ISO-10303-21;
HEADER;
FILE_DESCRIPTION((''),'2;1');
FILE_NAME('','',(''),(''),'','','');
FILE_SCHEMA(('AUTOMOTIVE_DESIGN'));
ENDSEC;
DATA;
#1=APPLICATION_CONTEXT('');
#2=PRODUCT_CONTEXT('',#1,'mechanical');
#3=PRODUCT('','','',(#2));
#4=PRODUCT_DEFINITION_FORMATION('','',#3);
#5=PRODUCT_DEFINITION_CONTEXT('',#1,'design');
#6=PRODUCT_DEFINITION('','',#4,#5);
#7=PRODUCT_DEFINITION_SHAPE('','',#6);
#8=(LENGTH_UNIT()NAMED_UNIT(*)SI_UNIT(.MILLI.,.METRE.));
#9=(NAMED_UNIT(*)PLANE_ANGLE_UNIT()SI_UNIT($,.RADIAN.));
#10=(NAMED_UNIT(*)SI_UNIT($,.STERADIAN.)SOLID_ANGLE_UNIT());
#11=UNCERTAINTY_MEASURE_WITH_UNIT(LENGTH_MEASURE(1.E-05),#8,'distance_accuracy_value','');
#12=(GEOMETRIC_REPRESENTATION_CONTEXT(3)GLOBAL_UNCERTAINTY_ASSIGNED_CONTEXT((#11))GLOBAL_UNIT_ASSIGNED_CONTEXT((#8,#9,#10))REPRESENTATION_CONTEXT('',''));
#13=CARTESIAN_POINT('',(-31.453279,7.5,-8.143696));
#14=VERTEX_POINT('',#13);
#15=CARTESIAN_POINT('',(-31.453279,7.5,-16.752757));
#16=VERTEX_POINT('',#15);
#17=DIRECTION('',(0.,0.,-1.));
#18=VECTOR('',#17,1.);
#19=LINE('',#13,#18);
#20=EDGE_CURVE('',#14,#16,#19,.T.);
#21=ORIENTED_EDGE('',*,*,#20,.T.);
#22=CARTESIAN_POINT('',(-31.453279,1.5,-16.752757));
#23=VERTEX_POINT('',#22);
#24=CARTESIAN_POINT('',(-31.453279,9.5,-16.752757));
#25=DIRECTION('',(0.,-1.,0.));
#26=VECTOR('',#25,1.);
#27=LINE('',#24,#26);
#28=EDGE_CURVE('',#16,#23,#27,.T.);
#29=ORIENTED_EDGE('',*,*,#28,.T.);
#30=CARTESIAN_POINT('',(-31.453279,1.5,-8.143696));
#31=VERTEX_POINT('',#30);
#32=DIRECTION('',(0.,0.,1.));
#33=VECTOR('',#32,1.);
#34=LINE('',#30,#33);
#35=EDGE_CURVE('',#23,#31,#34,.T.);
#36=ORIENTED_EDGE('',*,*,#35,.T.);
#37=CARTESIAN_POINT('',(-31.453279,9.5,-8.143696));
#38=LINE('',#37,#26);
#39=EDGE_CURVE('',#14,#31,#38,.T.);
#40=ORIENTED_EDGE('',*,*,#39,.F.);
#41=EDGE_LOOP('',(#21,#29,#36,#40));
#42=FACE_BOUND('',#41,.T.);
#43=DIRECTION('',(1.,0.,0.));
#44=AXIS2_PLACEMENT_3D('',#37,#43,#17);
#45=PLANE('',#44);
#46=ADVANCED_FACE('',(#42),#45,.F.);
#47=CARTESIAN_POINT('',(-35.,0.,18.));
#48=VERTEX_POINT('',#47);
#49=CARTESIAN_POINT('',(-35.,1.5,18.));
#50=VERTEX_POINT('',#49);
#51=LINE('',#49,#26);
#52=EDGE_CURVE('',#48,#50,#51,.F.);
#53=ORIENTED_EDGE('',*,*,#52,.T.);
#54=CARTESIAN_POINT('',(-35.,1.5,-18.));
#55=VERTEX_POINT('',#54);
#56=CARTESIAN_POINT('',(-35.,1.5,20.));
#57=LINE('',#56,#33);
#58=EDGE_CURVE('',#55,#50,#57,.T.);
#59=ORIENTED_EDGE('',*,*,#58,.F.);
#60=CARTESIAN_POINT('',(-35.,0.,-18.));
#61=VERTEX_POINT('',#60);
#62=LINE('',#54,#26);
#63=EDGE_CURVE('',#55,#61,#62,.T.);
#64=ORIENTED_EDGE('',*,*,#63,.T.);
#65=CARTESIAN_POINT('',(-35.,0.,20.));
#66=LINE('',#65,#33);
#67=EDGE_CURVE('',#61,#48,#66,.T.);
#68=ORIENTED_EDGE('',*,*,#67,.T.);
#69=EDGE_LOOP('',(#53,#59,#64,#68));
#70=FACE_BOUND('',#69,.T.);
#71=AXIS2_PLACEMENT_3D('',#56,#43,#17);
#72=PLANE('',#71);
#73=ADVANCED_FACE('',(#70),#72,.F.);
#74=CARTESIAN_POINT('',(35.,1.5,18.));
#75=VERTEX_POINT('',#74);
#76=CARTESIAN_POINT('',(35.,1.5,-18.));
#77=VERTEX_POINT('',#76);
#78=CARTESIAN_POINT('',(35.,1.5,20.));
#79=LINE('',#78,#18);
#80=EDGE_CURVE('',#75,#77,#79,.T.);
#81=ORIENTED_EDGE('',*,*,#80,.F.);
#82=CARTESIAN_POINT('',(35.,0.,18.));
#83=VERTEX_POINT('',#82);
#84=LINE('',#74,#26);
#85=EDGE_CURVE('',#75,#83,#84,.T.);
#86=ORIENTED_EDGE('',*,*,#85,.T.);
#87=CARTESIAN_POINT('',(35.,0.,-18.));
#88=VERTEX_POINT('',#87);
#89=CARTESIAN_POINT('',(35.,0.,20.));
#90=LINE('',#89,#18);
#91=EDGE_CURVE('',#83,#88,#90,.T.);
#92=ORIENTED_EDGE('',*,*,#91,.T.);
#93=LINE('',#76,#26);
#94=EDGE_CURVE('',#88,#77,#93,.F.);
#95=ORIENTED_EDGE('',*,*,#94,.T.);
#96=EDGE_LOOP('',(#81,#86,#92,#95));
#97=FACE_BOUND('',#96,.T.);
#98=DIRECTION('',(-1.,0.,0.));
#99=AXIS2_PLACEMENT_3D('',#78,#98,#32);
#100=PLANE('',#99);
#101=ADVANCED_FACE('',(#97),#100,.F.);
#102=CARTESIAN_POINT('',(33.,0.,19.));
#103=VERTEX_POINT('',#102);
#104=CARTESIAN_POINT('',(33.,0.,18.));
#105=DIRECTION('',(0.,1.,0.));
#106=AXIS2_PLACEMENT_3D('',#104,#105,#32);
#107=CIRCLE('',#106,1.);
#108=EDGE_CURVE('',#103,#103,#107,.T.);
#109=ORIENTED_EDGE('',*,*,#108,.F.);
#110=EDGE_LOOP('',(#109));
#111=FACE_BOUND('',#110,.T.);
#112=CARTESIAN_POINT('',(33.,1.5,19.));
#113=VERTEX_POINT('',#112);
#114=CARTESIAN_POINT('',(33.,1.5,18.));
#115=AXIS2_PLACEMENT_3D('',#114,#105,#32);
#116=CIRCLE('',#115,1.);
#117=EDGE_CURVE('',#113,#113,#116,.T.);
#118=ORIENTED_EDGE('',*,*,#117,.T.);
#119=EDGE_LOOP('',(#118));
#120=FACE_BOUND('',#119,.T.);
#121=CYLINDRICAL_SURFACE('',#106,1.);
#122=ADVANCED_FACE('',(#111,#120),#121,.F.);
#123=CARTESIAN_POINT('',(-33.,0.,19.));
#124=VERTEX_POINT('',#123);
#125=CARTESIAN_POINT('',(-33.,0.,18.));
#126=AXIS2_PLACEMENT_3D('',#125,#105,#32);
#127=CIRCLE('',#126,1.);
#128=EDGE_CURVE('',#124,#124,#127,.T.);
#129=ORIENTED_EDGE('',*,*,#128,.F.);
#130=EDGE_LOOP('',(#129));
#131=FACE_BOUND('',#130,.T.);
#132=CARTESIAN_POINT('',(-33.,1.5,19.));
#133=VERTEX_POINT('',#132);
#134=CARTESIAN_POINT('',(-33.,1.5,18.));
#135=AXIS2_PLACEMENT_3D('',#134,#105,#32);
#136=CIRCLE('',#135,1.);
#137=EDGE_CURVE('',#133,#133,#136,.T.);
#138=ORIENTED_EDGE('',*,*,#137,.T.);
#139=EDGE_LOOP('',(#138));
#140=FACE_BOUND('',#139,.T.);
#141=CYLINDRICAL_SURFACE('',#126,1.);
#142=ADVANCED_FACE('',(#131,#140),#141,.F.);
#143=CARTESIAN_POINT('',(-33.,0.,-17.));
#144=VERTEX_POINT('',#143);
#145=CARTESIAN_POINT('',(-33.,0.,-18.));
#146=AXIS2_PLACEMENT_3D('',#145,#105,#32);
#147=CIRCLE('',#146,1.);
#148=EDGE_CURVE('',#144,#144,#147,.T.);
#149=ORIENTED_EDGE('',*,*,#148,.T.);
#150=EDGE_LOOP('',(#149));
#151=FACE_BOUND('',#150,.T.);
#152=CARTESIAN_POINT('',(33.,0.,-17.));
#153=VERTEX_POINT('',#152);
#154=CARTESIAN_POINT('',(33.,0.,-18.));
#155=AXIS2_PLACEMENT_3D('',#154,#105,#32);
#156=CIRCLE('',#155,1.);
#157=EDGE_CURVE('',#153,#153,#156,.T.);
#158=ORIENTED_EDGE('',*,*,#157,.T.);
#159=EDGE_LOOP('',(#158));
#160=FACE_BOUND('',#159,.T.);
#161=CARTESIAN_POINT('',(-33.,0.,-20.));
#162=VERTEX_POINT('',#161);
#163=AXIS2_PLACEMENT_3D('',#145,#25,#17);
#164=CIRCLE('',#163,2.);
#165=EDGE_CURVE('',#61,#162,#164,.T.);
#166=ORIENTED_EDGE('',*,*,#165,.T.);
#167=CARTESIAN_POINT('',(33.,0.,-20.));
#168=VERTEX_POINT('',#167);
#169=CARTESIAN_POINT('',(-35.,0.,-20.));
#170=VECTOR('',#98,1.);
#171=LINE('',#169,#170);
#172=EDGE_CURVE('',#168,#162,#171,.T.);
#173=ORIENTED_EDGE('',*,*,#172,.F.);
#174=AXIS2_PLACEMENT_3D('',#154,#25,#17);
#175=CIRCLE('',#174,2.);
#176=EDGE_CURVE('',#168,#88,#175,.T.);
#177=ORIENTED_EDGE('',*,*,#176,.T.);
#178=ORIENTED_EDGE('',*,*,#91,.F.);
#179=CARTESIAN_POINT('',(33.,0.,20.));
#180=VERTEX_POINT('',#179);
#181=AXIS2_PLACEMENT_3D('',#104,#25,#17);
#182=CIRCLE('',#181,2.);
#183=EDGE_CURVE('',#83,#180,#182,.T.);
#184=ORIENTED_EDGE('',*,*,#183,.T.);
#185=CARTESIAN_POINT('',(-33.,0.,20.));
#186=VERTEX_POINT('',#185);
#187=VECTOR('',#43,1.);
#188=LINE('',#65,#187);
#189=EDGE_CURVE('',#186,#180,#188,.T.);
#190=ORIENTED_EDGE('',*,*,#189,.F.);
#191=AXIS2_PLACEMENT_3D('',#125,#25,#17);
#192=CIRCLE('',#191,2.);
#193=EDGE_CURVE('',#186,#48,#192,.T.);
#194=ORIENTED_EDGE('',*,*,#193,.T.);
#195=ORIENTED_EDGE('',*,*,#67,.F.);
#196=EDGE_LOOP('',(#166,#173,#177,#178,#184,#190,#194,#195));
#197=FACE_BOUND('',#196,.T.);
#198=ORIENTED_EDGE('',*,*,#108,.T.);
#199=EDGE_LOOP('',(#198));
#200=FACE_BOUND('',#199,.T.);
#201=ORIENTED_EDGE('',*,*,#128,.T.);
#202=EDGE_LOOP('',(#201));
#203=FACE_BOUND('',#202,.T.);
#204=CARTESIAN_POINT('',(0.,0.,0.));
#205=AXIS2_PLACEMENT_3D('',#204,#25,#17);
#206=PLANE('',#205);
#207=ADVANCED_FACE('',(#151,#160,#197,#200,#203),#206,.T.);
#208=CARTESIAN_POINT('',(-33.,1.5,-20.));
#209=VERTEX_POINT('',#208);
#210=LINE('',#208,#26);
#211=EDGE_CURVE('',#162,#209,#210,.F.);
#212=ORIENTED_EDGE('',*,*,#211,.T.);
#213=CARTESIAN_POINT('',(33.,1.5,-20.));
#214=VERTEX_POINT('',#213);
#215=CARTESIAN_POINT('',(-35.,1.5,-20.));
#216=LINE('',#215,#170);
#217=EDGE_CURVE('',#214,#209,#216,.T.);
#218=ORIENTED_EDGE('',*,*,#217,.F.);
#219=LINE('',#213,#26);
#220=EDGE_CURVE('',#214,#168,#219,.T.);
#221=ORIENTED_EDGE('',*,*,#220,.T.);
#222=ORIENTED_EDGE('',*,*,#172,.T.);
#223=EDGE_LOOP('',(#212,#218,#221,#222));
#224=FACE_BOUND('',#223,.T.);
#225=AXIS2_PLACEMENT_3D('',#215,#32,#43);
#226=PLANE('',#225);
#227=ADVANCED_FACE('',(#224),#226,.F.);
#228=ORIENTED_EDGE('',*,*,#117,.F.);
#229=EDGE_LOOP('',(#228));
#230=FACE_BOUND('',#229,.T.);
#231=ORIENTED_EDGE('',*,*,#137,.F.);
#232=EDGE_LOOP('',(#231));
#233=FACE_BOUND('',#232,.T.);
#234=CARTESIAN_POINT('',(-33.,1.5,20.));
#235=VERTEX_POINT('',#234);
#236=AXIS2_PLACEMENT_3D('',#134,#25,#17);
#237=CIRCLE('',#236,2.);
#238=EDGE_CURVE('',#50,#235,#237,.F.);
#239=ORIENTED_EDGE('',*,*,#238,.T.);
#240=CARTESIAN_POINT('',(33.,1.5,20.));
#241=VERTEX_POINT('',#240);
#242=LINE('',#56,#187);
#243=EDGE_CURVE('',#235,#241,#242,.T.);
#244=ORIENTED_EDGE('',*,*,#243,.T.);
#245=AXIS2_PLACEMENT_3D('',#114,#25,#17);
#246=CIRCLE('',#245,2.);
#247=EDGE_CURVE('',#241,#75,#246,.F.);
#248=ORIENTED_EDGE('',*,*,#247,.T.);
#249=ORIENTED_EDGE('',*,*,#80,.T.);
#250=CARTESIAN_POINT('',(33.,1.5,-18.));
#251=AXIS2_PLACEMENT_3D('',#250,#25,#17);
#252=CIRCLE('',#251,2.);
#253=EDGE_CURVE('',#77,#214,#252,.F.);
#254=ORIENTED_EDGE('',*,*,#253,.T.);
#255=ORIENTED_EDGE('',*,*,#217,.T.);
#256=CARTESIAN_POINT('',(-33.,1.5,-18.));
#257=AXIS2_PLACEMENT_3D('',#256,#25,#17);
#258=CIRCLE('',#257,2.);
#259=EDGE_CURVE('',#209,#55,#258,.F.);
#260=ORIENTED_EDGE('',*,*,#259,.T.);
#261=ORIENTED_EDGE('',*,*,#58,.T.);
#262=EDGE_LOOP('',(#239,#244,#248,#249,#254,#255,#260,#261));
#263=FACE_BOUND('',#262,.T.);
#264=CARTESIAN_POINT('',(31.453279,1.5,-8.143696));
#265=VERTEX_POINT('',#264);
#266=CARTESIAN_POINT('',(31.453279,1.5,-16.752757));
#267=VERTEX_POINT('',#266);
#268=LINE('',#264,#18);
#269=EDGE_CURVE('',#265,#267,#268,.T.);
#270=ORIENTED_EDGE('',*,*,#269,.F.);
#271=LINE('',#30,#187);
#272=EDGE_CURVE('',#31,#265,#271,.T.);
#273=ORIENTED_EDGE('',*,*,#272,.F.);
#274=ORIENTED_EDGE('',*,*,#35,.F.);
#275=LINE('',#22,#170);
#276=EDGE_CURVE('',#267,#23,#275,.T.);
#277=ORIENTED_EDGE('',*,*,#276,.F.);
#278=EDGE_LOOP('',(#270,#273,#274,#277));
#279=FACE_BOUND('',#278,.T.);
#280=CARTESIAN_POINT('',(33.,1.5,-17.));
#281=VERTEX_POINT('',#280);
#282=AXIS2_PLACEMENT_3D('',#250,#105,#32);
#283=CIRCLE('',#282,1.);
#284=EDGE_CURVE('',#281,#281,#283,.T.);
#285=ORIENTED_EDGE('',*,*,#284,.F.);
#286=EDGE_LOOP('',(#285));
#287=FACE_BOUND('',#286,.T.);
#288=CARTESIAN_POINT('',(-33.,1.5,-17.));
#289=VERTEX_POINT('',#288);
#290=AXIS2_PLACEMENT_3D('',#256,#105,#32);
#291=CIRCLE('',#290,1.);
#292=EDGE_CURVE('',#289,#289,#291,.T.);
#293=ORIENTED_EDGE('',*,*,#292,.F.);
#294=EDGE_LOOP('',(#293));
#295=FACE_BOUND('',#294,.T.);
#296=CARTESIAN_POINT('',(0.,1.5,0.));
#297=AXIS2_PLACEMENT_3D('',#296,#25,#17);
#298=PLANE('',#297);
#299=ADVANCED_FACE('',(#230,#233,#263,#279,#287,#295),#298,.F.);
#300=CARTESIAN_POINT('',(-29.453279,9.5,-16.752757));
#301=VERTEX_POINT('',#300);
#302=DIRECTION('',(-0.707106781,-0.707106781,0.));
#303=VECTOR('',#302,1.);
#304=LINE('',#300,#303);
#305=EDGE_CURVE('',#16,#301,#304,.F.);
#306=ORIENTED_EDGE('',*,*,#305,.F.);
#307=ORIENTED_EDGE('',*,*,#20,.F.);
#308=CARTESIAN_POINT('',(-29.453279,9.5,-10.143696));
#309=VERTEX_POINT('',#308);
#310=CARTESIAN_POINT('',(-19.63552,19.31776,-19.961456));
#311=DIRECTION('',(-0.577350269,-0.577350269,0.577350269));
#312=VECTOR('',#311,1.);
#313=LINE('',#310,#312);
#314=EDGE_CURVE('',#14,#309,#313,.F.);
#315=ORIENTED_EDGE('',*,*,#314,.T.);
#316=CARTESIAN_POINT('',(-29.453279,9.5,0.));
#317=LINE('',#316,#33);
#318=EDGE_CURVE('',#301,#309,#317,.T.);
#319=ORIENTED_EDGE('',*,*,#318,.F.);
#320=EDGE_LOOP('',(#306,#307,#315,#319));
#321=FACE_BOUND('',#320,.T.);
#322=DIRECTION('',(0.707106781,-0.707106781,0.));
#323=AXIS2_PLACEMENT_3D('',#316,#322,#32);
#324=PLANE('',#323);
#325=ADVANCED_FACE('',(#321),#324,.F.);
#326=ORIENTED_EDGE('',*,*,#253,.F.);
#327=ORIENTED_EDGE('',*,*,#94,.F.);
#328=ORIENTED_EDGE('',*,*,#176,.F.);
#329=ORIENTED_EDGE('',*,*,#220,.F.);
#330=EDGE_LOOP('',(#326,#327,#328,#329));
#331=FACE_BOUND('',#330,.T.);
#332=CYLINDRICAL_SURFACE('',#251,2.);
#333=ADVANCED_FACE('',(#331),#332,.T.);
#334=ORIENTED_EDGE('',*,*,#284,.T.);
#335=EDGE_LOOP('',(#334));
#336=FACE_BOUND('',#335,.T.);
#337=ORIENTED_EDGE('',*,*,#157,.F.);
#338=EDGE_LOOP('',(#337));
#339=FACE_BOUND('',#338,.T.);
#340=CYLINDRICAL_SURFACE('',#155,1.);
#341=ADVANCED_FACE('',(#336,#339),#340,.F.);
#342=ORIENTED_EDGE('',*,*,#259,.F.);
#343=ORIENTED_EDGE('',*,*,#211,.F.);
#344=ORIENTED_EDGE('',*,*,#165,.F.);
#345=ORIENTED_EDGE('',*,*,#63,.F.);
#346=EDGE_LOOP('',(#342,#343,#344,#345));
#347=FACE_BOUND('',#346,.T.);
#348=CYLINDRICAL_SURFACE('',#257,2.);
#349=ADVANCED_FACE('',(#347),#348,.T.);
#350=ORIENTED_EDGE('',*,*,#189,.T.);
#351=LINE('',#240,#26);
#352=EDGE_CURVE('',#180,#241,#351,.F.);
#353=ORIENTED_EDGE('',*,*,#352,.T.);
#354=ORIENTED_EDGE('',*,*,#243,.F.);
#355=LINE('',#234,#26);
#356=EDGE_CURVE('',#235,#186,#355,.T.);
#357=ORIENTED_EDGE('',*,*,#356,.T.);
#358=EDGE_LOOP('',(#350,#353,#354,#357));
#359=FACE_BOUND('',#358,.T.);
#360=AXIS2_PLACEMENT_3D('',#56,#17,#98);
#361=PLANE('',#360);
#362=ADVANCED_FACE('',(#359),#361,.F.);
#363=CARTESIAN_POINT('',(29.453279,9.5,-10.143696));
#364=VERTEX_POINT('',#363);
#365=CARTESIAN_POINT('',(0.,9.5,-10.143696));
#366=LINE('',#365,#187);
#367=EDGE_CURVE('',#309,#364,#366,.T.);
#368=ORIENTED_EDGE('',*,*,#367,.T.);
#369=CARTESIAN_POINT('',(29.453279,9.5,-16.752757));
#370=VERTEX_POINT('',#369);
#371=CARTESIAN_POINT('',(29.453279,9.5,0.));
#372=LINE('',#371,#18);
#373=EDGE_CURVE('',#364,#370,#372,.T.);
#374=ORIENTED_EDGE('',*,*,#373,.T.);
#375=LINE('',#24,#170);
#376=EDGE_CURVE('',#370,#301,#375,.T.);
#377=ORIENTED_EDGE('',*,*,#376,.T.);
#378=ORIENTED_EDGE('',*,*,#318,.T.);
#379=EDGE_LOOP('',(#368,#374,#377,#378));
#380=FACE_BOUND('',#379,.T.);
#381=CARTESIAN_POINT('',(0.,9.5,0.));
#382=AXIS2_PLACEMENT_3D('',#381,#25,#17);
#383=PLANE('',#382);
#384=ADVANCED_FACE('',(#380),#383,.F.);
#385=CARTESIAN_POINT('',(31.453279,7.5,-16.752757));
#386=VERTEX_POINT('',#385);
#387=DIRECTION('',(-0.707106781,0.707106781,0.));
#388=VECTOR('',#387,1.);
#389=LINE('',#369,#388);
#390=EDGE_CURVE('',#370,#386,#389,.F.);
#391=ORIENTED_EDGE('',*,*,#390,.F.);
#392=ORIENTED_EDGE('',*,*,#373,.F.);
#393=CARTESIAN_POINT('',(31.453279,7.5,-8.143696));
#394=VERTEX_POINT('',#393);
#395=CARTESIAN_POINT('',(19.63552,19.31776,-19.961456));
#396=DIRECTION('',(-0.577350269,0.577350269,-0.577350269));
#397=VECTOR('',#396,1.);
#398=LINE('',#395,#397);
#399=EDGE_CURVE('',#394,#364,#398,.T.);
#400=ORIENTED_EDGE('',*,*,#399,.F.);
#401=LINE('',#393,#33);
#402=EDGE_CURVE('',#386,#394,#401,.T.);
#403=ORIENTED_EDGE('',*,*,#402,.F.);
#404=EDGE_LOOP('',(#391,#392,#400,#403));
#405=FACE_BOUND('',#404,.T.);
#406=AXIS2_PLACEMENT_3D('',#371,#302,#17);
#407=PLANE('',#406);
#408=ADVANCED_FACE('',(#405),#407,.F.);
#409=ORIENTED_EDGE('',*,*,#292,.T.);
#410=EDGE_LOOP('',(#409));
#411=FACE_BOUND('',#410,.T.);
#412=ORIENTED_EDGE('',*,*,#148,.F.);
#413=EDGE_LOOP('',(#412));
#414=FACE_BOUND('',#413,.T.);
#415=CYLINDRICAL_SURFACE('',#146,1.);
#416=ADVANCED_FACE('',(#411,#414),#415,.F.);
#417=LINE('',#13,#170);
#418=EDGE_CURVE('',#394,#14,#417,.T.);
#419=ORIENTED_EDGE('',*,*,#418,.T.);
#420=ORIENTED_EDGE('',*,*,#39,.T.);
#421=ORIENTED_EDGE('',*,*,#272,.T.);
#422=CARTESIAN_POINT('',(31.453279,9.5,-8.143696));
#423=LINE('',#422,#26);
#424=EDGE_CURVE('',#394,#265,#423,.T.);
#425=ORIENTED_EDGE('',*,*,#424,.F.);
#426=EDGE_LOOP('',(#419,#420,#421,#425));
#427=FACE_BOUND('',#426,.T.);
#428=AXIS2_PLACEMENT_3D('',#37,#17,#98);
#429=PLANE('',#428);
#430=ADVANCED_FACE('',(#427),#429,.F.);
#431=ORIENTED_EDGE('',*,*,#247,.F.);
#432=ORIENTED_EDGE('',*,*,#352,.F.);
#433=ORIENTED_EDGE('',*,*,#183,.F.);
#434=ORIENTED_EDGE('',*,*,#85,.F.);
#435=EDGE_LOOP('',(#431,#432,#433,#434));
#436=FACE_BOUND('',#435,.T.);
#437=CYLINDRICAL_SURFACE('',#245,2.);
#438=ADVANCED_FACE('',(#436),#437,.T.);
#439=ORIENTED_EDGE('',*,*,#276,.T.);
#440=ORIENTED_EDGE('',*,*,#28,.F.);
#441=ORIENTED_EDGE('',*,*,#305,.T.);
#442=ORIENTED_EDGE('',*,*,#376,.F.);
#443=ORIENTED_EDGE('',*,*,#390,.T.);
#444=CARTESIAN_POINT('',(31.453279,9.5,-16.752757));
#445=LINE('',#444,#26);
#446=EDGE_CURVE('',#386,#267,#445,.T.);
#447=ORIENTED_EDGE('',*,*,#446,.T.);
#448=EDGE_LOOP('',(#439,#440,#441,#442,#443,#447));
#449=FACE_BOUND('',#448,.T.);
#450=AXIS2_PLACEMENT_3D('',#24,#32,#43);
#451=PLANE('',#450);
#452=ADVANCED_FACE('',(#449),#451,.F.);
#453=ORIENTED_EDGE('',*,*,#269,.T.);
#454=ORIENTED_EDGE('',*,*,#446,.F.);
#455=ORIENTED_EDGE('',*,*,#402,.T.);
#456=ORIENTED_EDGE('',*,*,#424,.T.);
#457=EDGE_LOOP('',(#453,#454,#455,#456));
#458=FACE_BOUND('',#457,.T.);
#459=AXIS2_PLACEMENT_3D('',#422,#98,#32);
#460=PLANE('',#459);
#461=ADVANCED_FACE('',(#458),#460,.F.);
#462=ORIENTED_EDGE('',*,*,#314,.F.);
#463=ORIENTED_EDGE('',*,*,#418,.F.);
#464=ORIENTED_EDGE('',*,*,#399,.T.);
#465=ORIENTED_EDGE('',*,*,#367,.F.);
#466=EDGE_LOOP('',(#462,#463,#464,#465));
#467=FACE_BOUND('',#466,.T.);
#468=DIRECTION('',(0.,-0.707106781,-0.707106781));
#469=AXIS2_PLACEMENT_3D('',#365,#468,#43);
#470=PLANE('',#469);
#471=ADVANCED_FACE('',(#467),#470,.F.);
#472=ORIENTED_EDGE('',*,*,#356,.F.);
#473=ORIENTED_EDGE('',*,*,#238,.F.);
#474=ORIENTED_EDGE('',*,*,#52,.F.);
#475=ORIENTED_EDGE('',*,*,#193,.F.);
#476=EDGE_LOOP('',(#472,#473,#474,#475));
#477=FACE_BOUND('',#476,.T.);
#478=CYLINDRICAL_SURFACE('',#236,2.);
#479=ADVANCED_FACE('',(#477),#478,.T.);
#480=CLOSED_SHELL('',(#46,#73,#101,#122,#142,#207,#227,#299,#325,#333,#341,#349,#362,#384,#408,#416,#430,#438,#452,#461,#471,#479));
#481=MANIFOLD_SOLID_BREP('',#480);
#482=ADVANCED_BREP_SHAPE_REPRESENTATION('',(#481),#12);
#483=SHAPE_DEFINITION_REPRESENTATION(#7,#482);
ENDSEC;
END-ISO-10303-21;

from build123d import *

# Parameters (mm, degrees)
SKETCH1_W           = 70
SKETCH1_H           = 40
BOSS_EXTRUDE1_DEPTH = 1.5
SKETCH2_W           = 62.906558998
SKETCH2_H           = 8.609060895
BOSS_EXTRUDE2_DEPTH = 8
CHAMFER1_SIZE       = 2
SKETCH3_R           = 1
CUT_EXTRUDE1_DEPTH  = 42.097445176
FILLET1_R           = 2


with BuildPart() as part:
    # Sketch1 → Boss-Extrude1 (new body)
    with BuildSketch(Plane(origin=(0, 0, 0), x_dir=(1, 0, 0), z_dir=(0, 1, 0))):
        Rectangle(SKETCH1_W, SKETCH1_H)
    extrude(amount=BOSS_EXTRUDE1_DEPTH)

    # Sketch2 → Boss-Extrude2 (add)
    with BuildSketch(Plane(origin=(0, 1.5, 0), x_dir=(1, 0, 0), z_dir=(0, 1, 0))):
        with Locations((0, 12.448226713)):
            Rectangle(SKETCH2_W, SKETCH2_H)
    extrude(amount=BOSS_EXTRUDE2_DEPTH)

    # Chamfer1
    chamfer1_edges = [part.edges().sort_by_distance(p)[0] for p in [
        (31.453279499, 9.5, -12.448226713),
        (-31.453279499, 9.5, -12.448226713),
        (0, 9.5, -8.143696265),
    ]]
    chamfer(chamfer1_edges, length=CHAMFER1_SIZE)

    # Sketch3 → Cut-Extrude1 (cut, through all)
    with BuildSketch(Plane(origin=(0, 1.5, 0), x_dir=(1, 0, 0), z_dir=(0, 1, 0))):
        with Locations(Location((-33, -18, 0), (0, 0, 270))):
            Circle(SKETCH3_R)
        with Locations(Location((-33, 18, 0), (0, 0, 270))):
            Circle(SKETCH3_R)
        with Locations(Location((33, 18, 0), (0, 0, 270))):
            Circle(SKETCH3_R)
        with Locations(Location((33, -18, 0), (0, 0, 270))):
            Circle(SKETCH3_R)
    extrude(amount=-CUT_EXTRUDE1_DEPTH, mode=Mode.SUBTRACT)

    # Fillet1
    fillet1_edges = [part.edges().sort_by_distance(p)[0] for p in [
        (35, 0.75, 20),
        (-35, 0.75, 20),
        (-35, 0.75, -20),
        (35, 0.75, -20),
    ]]
    fillet(fillet1_edges, radius=FILLET1_R)


solid = part.part
